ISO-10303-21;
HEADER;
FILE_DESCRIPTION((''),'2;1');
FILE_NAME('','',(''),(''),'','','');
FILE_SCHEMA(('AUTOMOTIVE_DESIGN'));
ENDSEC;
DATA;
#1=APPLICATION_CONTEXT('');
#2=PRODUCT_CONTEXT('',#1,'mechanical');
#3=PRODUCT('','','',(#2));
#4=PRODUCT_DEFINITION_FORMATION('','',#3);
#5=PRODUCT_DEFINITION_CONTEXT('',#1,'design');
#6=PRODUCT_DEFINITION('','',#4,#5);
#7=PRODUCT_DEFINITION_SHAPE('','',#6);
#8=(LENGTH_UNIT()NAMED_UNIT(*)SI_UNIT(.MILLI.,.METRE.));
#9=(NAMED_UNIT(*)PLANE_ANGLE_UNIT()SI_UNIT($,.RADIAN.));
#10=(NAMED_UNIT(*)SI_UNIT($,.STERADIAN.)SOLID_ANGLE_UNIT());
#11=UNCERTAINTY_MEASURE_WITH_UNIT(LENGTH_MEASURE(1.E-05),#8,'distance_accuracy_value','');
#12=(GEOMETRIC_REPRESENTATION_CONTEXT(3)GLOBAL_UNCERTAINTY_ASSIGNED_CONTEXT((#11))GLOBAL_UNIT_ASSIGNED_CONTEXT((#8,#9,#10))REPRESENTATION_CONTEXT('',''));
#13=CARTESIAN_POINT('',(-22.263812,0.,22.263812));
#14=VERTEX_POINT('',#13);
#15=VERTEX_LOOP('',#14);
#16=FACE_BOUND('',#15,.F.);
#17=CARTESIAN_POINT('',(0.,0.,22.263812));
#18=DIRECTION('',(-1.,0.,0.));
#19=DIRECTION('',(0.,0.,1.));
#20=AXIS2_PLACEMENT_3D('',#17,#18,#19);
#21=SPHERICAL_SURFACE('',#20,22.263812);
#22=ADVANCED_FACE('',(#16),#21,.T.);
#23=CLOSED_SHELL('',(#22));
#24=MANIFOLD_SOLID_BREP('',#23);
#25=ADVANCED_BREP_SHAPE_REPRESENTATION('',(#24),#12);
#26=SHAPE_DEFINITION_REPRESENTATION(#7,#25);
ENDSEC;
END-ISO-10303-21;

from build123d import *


with BuildPart() as f2:
    # F1 (on face) → F2 (revolve)
    with BuildSketch(Plane.XZ):
        with BuildLine():
            Line((-22.263812, 22.263812), (4.836715, 22.263812))
            Line((4.836715, 22.263812), (22.263812, 22.263812))
            ThreePointArc((22.263812, 22.263812), (0, 44.527624), (-22.263812, 22.263812))
        make_face()
    revolve(axis=Axis((-8.713549, 0, 22.263812), (1, 0, 0)))


solid = f2.part
